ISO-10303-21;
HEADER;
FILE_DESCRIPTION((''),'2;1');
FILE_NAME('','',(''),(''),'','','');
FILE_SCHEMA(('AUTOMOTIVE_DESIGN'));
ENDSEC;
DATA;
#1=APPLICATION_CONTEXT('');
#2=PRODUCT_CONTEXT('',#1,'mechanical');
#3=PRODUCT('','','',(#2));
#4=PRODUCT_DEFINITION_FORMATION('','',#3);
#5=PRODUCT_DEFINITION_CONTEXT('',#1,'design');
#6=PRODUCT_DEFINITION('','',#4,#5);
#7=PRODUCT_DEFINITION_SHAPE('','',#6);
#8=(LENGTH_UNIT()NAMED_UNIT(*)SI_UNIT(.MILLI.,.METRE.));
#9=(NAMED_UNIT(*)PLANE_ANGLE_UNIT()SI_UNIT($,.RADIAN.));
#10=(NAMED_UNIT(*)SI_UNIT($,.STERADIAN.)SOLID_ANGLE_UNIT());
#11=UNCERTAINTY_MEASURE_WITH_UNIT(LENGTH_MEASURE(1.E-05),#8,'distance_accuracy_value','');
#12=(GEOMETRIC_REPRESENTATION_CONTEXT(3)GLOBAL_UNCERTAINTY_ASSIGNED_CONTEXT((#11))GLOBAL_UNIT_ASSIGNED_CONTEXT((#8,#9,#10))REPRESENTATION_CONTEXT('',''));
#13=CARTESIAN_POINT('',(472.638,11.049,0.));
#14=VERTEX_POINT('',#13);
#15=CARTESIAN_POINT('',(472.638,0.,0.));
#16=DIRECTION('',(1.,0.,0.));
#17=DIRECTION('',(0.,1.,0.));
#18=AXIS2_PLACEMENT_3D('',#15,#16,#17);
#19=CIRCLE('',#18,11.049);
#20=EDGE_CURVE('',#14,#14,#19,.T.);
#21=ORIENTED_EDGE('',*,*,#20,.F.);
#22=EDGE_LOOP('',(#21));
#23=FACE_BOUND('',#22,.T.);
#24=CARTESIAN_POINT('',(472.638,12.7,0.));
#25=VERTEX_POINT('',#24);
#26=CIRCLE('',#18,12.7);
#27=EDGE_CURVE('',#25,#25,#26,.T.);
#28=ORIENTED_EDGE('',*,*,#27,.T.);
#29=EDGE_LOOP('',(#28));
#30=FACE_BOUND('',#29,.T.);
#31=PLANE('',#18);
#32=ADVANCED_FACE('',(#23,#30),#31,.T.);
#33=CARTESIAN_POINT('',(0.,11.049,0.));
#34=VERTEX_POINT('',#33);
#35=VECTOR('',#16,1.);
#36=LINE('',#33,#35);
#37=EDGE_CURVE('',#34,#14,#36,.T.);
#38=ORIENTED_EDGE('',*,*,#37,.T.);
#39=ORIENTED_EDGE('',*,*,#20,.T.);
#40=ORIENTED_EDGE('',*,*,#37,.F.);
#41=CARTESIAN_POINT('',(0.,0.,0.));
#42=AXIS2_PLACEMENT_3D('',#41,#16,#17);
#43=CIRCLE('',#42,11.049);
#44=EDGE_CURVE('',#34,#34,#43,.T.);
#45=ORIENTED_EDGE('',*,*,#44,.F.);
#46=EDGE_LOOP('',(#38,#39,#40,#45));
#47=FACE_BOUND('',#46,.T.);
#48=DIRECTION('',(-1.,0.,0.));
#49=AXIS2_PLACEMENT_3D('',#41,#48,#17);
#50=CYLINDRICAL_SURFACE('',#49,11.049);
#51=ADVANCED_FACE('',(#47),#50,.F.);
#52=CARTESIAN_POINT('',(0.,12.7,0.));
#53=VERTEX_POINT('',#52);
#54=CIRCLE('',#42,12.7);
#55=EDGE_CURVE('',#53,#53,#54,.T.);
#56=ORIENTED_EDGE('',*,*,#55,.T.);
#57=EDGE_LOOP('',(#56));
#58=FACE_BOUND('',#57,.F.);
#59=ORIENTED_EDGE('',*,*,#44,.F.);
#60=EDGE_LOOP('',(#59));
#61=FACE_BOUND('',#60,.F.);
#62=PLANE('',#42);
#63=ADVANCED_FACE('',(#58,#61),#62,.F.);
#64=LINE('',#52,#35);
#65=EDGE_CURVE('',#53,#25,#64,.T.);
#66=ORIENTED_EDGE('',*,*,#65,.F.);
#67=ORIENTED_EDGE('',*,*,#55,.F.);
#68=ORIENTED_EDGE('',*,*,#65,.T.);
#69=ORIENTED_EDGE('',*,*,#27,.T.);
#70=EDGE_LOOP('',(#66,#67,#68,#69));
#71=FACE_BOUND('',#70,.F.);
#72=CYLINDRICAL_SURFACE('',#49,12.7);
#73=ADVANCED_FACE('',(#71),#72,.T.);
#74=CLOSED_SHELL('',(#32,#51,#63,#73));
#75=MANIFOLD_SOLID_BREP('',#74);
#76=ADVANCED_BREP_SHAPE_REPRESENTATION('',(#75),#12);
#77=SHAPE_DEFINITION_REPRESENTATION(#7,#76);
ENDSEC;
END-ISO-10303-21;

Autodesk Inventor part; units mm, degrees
ref_plane "XZ Plane" through (0, 0, 0) normal (0, 1, 0) x (-1, 0, 0)
ref_plane "Start Plane" through (0, 0, 0) normal (1, 0, 0) x (0, 1, 0)
ref_plane "End Plane" through (472.638, 0, 0) normal (1, 0, 0) x (0, 1, 0)
sketch "Sketch" plane through (0, 0, 0) normal (1, 0, 0) x (0, 1, 0)
  circle A0 centre (0, 0) radius 12.7
  circle A1 centre (0, 0) radius 11.049
  dimension "d0" = 25.4
  dimension "d1" = 1.651
extrude "Body" add sketch "Sketch" along normal up to surface (472.638 mm away) from surface at 0
sketch "Sketch2" plane through (0, 0, 0) normal (1, 0, 0) x (0, 1, 0)
  line L0 (0, 0) -> (10, 0)
ref_plane "Work Plane3" through (0, 0, 0) normal (0, 0, -1) x (0, 1, 0)
sketch "Sketch3" plane through (0, 0, 0) normal (0, 0, -1) x (0, 1, 0)
  line L0 (-2, 0) -> (12, 0)
  line L1 (-2, 472.638) -> (12, 472.638)
  dimension "d9" = 472.638
equation "\"G_OFFSET_START\" = 0"
equation "\"G_OFFSET_END\" = 0"
equation "\"d5\" = d2 + G_OFFSET_END"
equation "\"G_L\" = d9"
equation "\"d2\" = 472.637969"
properties part number "4130_1x0.065" material "Steel, Alloy"
